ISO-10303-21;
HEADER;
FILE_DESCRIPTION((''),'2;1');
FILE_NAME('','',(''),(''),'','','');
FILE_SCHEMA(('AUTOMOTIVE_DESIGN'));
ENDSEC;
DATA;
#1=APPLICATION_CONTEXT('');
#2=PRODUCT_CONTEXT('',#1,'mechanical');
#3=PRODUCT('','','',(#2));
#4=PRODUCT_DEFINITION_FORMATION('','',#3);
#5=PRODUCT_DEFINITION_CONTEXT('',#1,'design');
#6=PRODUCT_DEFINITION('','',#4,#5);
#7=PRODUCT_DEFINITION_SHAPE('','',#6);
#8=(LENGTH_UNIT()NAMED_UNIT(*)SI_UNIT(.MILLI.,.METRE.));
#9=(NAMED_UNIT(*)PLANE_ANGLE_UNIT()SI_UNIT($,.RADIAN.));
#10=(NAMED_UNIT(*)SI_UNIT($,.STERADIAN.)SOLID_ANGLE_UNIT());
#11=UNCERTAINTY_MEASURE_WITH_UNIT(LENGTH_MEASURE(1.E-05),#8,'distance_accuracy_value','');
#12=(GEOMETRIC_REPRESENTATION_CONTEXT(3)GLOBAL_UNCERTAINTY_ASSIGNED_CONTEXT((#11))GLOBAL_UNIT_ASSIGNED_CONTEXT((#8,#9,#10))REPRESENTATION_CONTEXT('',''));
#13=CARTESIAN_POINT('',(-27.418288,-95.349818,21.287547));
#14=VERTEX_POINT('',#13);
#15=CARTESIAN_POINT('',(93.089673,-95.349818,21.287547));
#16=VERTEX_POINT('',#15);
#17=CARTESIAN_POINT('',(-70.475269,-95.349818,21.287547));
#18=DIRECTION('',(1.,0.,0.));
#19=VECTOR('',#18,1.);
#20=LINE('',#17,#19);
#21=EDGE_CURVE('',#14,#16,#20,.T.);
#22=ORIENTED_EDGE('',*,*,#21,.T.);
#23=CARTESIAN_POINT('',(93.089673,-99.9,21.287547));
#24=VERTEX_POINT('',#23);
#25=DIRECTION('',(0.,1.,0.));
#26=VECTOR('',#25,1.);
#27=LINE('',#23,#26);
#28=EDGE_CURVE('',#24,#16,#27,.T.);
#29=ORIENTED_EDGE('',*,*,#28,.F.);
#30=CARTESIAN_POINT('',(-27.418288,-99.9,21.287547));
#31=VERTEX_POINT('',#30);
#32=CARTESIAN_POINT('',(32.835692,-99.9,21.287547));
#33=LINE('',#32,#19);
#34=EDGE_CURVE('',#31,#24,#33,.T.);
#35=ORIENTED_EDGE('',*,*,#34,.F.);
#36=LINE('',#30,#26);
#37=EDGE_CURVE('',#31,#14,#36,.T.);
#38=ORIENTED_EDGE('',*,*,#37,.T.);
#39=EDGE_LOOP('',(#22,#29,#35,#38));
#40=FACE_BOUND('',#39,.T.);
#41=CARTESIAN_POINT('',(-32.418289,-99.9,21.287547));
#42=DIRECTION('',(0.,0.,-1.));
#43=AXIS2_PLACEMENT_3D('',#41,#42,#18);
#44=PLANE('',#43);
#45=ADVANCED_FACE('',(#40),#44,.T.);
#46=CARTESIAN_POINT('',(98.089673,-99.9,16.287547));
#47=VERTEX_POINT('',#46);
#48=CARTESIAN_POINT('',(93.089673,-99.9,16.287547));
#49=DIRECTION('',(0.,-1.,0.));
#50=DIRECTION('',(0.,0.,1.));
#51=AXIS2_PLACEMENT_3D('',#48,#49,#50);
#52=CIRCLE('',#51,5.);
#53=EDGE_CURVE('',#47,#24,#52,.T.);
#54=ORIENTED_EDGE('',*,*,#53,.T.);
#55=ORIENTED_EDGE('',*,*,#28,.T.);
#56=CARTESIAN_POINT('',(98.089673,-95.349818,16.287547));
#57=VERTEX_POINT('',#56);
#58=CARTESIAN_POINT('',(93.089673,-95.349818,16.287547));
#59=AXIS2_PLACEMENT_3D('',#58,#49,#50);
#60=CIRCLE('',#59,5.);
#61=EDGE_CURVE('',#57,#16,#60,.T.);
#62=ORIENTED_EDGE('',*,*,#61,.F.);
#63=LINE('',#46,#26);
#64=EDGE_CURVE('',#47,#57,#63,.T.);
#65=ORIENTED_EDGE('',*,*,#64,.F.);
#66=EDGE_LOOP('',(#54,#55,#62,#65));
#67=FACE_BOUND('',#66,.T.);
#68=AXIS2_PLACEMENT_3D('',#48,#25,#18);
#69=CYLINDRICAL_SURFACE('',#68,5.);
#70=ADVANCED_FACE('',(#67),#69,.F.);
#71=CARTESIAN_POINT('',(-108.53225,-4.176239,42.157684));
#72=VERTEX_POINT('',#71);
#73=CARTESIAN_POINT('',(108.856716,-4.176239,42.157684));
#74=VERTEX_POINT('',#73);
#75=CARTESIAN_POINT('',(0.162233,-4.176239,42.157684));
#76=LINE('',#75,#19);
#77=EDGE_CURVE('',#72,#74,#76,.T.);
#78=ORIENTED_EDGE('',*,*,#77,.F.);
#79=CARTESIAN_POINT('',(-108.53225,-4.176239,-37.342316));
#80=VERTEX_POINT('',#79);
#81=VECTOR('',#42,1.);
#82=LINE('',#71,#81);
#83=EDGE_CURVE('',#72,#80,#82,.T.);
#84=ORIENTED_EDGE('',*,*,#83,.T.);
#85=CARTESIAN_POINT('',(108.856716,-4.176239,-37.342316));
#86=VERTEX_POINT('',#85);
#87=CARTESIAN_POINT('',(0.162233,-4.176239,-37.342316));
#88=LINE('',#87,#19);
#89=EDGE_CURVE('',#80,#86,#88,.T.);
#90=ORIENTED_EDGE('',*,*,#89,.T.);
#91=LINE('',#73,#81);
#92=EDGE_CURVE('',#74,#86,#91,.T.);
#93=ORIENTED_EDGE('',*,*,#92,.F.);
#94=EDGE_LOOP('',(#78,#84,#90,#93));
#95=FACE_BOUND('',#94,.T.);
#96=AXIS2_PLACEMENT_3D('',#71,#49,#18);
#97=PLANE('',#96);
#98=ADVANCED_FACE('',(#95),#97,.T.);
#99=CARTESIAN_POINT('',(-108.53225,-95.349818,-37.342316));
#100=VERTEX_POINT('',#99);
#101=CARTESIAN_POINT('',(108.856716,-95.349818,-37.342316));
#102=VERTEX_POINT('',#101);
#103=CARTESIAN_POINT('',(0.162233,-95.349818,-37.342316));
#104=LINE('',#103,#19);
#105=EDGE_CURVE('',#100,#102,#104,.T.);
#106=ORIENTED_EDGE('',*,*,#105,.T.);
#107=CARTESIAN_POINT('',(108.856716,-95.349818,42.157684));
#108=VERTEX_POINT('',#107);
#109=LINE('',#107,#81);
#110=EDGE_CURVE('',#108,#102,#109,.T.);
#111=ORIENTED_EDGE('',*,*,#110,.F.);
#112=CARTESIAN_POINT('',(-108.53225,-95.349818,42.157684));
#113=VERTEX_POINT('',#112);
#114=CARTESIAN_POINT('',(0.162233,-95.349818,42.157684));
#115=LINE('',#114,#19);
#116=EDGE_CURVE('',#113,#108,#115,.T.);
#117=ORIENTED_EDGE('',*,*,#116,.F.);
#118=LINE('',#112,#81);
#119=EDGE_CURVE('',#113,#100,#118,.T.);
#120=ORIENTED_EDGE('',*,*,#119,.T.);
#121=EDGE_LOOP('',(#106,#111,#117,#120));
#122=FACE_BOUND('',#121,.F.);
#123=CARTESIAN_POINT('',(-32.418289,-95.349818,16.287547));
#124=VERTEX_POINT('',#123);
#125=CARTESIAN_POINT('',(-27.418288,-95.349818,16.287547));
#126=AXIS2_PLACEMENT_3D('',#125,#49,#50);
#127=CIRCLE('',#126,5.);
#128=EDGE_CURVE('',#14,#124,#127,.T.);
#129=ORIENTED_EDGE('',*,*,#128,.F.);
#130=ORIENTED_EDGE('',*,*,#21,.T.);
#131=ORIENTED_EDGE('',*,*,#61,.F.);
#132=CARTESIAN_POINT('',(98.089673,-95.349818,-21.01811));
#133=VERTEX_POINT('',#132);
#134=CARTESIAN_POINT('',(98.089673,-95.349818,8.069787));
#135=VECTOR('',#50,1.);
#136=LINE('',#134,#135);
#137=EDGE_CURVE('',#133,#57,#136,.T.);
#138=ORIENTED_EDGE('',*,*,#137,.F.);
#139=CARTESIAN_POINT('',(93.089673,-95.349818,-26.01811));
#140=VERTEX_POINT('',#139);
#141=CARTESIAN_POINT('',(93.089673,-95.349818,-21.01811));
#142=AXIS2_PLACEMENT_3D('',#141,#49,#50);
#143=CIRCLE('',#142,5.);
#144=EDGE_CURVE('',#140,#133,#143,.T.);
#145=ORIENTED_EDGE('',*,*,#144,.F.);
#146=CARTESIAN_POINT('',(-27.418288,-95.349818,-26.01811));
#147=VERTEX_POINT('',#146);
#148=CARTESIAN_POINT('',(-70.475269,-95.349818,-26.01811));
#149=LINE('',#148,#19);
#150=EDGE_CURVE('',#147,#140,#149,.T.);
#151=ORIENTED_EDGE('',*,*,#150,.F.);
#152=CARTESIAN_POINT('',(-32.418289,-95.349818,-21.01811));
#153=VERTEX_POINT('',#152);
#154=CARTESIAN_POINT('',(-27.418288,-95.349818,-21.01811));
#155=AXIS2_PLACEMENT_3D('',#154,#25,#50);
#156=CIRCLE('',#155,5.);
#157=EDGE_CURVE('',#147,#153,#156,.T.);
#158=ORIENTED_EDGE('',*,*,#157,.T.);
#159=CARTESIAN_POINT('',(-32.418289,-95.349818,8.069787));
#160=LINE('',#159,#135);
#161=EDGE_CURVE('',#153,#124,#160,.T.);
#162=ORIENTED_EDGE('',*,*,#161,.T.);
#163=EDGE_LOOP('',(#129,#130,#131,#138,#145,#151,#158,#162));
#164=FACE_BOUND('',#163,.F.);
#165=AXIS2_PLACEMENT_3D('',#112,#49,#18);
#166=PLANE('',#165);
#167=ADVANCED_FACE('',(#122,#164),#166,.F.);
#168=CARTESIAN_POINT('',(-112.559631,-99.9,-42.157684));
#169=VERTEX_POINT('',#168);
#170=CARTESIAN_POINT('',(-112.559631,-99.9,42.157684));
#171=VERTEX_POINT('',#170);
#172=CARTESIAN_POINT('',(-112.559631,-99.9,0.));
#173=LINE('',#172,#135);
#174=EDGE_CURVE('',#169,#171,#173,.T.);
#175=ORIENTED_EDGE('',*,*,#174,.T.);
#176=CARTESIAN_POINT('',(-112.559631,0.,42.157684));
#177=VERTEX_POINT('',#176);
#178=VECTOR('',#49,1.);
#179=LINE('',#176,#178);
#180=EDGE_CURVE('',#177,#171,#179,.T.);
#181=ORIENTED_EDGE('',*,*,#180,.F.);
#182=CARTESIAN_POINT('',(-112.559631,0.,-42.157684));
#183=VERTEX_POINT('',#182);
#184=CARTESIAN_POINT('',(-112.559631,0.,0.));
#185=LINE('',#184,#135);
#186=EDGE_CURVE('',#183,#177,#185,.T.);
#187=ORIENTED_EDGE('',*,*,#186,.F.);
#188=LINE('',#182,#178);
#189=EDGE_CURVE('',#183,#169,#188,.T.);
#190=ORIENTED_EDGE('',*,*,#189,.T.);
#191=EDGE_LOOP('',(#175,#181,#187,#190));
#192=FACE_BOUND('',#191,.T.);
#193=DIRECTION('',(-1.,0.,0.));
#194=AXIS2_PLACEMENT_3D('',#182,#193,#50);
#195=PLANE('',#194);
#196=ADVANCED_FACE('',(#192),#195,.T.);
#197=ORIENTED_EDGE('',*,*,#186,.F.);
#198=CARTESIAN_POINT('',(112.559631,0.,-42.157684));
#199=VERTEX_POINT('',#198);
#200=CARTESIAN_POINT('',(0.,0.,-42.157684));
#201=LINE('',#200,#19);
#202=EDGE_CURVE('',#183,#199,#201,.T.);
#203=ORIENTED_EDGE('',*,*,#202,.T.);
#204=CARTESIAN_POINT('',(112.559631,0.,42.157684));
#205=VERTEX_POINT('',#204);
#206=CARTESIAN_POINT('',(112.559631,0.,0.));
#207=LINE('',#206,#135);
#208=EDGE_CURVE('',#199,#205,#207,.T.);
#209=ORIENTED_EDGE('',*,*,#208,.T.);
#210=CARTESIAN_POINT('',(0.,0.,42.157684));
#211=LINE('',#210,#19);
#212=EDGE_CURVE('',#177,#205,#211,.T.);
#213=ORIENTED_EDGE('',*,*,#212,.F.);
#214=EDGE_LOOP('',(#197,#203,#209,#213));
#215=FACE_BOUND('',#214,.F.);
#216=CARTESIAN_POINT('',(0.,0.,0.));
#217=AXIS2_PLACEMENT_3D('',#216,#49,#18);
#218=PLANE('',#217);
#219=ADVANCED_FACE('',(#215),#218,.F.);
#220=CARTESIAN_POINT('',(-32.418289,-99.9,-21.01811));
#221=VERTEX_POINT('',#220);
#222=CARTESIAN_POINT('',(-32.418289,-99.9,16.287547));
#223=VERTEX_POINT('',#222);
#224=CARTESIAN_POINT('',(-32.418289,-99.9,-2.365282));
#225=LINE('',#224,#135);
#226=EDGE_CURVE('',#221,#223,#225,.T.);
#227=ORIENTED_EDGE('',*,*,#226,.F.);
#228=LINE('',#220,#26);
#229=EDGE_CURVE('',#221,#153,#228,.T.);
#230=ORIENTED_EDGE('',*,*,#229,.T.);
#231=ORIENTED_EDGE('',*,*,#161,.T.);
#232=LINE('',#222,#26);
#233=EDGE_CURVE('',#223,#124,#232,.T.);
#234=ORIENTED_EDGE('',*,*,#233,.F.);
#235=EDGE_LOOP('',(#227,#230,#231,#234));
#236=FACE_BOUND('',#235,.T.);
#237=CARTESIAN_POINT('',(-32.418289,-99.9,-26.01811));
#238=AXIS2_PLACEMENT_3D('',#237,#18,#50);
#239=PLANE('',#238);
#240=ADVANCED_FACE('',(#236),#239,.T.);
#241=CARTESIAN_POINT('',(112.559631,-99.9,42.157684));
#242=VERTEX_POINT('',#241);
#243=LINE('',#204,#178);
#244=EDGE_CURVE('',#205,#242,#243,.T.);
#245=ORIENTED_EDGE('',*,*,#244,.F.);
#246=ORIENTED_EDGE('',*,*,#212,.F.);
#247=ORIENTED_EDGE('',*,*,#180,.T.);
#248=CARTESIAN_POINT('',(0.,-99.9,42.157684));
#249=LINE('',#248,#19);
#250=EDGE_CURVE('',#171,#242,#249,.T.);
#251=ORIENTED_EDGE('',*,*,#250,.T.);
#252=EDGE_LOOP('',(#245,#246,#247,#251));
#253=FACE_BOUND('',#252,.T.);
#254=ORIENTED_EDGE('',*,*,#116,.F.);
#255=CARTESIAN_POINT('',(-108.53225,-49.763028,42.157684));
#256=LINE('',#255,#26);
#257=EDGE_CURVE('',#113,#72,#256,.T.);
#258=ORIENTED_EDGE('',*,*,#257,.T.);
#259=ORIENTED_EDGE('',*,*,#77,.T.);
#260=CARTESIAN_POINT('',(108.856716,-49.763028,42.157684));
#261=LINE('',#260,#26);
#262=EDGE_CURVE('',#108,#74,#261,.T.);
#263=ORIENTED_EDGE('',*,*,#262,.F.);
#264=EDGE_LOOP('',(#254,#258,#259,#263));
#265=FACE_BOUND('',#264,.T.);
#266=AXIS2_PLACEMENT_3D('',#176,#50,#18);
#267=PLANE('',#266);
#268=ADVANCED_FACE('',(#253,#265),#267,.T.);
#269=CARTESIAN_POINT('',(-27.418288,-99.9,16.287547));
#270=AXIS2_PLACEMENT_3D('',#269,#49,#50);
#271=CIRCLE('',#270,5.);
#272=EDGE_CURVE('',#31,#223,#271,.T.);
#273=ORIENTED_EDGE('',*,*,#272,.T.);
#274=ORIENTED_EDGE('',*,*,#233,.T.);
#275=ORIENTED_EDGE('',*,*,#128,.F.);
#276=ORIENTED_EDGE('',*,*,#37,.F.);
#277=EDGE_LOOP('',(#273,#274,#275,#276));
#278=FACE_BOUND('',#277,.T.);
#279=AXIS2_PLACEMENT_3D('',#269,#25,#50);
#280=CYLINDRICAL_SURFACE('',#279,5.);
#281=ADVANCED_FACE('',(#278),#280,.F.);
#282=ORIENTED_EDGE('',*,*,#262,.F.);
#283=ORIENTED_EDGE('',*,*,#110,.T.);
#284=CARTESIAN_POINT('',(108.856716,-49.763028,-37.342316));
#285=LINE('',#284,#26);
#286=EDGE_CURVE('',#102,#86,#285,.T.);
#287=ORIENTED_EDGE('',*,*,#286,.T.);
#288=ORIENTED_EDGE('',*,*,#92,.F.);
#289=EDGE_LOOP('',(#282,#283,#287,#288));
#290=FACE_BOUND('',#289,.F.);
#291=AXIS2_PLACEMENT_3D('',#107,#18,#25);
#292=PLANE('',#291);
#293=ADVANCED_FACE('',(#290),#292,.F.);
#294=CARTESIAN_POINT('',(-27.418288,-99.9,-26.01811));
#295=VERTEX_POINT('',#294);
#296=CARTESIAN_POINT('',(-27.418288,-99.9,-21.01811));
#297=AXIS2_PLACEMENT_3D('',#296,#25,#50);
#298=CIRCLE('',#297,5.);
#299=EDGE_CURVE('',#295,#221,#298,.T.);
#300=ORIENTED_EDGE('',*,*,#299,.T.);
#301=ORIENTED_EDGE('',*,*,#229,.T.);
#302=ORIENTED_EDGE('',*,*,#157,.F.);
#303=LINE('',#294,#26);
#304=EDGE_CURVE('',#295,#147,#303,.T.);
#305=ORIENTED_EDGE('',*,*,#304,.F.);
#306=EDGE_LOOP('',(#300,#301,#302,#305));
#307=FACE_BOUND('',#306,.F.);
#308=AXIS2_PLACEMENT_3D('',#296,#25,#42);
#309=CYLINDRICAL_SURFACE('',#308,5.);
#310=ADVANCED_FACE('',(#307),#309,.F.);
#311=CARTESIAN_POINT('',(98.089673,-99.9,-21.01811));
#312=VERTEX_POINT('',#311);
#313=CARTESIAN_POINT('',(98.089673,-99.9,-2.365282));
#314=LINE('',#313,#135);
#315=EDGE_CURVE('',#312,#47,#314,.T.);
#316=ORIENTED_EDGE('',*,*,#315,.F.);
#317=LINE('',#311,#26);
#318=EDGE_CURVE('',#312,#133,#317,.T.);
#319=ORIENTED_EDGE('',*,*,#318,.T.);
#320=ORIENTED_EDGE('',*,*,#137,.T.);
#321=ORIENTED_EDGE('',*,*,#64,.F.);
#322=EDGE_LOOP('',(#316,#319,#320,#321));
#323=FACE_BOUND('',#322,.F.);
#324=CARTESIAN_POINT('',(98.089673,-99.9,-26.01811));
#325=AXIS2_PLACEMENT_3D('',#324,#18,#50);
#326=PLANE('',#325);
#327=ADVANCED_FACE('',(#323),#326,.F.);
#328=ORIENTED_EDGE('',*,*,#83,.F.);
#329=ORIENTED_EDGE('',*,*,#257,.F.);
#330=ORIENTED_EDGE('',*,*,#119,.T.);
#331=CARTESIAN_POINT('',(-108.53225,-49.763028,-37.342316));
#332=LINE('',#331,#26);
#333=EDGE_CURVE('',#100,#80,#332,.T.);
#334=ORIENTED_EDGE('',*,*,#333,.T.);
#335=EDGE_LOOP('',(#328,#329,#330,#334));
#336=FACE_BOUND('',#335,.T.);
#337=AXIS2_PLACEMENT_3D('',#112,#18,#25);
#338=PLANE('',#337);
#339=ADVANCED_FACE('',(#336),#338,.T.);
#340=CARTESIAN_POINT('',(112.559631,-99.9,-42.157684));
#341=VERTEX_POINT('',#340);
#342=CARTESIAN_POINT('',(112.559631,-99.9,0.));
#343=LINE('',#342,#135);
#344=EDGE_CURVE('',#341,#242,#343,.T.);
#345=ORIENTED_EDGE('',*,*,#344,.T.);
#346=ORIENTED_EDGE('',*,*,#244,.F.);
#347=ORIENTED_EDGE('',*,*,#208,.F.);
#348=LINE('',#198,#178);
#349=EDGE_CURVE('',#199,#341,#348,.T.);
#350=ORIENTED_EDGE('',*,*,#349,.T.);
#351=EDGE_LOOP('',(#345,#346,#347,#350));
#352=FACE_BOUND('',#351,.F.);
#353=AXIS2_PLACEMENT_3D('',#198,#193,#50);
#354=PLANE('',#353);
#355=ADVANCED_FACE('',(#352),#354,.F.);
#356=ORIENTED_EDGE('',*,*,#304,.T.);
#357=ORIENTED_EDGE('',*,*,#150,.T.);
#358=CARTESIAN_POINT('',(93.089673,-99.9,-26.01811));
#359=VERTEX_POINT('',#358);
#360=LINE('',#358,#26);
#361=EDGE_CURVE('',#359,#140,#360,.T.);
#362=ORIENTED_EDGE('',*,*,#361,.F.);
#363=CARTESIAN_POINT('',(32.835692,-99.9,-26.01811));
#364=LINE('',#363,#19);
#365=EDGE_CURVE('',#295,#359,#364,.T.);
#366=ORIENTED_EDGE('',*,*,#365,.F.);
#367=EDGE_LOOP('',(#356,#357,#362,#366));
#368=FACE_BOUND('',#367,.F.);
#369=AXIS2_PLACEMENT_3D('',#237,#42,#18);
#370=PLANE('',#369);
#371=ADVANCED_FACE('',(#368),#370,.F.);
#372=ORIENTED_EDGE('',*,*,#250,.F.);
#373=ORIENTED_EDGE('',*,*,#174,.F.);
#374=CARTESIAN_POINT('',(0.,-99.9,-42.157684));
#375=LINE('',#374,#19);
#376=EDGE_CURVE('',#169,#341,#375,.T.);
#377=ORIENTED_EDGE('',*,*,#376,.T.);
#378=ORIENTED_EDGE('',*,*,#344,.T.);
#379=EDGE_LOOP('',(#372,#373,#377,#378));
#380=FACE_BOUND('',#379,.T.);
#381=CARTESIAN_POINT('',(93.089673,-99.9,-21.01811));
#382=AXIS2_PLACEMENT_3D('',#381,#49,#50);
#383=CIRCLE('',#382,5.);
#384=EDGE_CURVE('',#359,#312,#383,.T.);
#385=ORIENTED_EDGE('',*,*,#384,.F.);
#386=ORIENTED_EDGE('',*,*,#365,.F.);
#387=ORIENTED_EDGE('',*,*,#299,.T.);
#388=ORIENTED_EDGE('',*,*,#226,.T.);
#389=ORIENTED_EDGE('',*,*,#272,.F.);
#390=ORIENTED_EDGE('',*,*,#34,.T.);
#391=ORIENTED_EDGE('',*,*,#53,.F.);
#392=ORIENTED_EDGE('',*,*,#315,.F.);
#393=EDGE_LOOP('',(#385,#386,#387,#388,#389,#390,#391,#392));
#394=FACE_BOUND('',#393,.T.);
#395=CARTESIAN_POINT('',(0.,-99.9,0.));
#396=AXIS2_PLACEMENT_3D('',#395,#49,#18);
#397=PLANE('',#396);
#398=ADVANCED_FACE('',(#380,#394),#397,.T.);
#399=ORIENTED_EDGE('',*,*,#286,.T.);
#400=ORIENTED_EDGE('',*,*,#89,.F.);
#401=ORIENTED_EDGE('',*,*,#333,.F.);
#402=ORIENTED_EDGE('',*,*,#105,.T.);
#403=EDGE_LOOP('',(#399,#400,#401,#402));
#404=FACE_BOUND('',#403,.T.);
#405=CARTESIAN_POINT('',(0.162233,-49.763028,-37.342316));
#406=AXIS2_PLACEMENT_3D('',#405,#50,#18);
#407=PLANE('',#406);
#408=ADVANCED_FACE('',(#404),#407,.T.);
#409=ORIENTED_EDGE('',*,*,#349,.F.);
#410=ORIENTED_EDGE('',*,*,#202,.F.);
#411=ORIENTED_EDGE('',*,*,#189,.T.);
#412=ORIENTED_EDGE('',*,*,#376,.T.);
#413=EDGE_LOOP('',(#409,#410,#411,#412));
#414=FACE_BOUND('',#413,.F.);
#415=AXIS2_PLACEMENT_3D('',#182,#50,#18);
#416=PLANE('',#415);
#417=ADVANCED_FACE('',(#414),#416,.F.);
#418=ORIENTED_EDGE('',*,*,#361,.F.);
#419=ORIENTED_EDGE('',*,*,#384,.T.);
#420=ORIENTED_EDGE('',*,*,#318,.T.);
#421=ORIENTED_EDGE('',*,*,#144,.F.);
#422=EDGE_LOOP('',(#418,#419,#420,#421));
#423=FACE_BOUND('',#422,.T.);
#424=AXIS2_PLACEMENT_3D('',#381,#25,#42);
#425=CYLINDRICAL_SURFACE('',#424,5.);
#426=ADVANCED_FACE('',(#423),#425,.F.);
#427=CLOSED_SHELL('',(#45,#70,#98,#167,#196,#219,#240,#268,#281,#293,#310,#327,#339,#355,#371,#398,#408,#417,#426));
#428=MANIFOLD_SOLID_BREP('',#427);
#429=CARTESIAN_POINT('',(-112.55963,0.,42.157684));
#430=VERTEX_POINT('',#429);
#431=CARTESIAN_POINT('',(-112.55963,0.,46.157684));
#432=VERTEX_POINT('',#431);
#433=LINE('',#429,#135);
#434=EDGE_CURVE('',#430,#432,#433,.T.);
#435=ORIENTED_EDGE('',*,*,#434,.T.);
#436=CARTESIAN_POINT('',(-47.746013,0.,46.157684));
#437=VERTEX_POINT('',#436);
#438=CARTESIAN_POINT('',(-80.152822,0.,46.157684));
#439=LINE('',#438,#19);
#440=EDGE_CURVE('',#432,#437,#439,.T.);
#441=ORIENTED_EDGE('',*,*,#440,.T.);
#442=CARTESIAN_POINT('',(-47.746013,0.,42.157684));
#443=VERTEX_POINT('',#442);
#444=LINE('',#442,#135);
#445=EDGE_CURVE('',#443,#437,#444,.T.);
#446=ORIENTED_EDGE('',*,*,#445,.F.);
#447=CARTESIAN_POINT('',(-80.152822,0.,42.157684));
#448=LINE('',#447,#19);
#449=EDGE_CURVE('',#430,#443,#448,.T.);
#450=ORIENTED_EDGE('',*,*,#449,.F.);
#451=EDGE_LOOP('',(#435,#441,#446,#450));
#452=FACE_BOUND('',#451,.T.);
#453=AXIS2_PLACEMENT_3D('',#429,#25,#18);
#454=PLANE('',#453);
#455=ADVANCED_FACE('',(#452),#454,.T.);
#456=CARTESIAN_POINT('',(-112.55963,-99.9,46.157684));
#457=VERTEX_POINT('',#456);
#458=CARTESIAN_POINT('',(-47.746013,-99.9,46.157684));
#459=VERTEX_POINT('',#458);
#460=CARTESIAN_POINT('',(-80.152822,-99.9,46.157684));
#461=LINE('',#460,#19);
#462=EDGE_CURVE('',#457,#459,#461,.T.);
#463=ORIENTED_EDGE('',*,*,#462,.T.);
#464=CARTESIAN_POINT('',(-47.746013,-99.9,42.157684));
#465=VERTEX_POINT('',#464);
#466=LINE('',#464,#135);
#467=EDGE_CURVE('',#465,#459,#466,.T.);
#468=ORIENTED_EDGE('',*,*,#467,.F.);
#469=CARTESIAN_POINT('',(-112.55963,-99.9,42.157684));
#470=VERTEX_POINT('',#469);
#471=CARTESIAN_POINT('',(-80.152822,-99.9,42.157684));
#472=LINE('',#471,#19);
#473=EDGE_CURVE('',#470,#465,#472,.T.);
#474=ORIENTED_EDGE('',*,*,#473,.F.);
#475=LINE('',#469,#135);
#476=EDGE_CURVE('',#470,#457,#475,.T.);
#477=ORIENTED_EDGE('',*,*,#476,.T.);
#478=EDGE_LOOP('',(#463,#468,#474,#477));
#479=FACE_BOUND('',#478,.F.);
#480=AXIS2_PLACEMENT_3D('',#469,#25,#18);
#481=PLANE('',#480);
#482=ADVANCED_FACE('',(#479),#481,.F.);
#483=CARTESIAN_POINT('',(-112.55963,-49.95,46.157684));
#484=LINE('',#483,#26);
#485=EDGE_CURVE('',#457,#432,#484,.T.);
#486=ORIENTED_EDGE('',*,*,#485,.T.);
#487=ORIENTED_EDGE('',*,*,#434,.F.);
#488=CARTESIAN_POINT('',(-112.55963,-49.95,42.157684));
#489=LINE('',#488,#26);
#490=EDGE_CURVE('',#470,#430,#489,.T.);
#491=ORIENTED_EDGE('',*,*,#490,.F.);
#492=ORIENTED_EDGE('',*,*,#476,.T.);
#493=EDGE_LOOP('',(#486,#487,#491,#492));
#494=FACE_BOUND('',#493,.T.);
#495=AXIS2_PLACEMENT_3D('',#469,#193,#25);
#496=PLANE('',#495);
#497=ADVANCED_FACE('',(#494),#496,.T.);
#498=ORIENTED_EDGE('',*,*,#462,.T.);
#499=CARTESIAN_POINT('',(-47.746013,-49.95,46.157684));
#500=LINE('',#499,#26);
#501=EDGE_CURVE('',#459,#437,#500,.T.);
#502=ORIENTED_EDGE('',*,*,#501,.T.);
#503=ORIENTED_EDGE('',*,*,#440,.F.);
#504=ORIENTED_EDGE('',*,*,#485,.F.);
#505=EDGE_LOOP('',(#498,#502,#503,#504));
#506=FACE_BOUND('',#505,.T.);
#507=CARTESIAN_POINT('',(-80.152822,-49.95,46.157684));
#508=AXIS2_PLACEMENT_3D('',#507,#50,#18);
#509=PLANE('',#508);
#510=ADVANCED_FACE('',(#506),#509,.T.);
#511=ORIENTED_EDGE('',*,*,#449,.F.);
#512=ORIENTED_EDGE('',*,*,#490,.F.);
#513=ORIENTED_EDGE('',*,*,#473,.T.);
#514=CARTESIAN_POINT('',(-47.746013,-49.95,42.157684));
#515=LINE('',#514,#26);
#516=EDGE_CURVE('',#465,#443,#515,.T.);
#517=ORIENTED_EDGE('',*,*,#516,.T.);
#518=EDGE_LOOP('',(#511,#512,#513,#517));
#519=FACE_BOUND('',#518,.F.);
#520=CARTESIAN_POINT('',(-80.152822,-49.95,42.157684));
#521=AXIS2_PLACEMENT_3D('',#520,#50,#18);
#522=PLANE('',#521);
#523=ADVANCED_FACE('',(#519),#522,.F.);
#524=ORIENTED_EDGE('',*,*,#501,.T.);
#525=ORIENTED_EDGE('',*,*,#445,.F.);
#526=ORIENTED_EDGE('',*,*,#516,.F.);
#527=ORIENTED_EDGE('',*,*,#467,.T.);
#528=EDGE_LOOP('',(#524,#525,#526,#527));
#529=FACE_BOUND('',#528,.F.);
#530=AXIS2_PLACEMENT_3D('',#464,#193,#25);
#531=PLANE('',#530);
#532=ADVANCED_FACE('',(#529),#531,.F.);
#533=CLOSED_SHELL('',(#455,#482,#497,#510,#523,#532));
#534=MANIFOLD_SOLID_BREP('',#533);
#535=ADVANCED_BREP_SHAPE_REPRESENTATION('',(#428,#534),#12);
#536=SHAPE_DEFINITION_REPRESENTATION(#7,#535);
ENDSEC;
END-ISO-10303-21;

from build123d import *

# Parameters (mm, degrees)
F0_W     = 225.119262
F0_H     = 84.315368
F1_DEPTH = 99.9
F2_W     = 217.388965
F2_H     = 91.173579
F3_DEPTH = 79.5
F4_W     = 64.813617
F4_H     = 99.9
F5_DEPTH = 4
F6_W     = 130.507961
F6_H     = 47.305657
F7_DEPTH = 25
F8_R     = 5


with BuildPart() as f1:
    # F0 (on Front) → F1 (new body)
    with BuildSketch(Plane.XZ):
        Rectangle(F0_W, F0_H)
    extrude(amount=F1_DEPTH)

    # F2 (on face) → F3 (cut)
    with BuildSketch(Plane.XY.offset(42.157684)):
        with Locations((0.162233, -49.763028)):
            Rectangle(F2_W, F2_H)
    extrude(amount=-F3_DEPTH, mode=Mode.SUBTRACT)

    # F6 (on face) → F7 (cut)
    with BuildSketch(Plane.XZ.offset(99.9)):
        with Locations((32.835692, -2.365282)):
            Rectangle(F6_W, F6_H)
    extrude(amount=-F7_DEPTH, mode=Mode.SUBTRACT)

    # F8
    f8_edges = [f1.edges().sort_by_distance(p)[0] for p in [
        (-32.418288, -97.624909, -26.018111),
        (-32.418288, -97.624909, 21.287546),
        (98.089673, -97.624909, 21.287546),
        (98.089673, -97.624909, -26.018111),
    ]]
    fillet(f8_edges, radius=F8_R)


with BuildPart() as f5:
    # F4 (on face) → F5 (new body)
    with BuildSketch(Plane.XY.offset(42.157684)):
        with Locations((-80.152822, -49.95)):
            Rectangle(F4_W, F4_H)
    extrude(amount=F5_DEPTH)


solid = Compound([f1.part, f5.part])
